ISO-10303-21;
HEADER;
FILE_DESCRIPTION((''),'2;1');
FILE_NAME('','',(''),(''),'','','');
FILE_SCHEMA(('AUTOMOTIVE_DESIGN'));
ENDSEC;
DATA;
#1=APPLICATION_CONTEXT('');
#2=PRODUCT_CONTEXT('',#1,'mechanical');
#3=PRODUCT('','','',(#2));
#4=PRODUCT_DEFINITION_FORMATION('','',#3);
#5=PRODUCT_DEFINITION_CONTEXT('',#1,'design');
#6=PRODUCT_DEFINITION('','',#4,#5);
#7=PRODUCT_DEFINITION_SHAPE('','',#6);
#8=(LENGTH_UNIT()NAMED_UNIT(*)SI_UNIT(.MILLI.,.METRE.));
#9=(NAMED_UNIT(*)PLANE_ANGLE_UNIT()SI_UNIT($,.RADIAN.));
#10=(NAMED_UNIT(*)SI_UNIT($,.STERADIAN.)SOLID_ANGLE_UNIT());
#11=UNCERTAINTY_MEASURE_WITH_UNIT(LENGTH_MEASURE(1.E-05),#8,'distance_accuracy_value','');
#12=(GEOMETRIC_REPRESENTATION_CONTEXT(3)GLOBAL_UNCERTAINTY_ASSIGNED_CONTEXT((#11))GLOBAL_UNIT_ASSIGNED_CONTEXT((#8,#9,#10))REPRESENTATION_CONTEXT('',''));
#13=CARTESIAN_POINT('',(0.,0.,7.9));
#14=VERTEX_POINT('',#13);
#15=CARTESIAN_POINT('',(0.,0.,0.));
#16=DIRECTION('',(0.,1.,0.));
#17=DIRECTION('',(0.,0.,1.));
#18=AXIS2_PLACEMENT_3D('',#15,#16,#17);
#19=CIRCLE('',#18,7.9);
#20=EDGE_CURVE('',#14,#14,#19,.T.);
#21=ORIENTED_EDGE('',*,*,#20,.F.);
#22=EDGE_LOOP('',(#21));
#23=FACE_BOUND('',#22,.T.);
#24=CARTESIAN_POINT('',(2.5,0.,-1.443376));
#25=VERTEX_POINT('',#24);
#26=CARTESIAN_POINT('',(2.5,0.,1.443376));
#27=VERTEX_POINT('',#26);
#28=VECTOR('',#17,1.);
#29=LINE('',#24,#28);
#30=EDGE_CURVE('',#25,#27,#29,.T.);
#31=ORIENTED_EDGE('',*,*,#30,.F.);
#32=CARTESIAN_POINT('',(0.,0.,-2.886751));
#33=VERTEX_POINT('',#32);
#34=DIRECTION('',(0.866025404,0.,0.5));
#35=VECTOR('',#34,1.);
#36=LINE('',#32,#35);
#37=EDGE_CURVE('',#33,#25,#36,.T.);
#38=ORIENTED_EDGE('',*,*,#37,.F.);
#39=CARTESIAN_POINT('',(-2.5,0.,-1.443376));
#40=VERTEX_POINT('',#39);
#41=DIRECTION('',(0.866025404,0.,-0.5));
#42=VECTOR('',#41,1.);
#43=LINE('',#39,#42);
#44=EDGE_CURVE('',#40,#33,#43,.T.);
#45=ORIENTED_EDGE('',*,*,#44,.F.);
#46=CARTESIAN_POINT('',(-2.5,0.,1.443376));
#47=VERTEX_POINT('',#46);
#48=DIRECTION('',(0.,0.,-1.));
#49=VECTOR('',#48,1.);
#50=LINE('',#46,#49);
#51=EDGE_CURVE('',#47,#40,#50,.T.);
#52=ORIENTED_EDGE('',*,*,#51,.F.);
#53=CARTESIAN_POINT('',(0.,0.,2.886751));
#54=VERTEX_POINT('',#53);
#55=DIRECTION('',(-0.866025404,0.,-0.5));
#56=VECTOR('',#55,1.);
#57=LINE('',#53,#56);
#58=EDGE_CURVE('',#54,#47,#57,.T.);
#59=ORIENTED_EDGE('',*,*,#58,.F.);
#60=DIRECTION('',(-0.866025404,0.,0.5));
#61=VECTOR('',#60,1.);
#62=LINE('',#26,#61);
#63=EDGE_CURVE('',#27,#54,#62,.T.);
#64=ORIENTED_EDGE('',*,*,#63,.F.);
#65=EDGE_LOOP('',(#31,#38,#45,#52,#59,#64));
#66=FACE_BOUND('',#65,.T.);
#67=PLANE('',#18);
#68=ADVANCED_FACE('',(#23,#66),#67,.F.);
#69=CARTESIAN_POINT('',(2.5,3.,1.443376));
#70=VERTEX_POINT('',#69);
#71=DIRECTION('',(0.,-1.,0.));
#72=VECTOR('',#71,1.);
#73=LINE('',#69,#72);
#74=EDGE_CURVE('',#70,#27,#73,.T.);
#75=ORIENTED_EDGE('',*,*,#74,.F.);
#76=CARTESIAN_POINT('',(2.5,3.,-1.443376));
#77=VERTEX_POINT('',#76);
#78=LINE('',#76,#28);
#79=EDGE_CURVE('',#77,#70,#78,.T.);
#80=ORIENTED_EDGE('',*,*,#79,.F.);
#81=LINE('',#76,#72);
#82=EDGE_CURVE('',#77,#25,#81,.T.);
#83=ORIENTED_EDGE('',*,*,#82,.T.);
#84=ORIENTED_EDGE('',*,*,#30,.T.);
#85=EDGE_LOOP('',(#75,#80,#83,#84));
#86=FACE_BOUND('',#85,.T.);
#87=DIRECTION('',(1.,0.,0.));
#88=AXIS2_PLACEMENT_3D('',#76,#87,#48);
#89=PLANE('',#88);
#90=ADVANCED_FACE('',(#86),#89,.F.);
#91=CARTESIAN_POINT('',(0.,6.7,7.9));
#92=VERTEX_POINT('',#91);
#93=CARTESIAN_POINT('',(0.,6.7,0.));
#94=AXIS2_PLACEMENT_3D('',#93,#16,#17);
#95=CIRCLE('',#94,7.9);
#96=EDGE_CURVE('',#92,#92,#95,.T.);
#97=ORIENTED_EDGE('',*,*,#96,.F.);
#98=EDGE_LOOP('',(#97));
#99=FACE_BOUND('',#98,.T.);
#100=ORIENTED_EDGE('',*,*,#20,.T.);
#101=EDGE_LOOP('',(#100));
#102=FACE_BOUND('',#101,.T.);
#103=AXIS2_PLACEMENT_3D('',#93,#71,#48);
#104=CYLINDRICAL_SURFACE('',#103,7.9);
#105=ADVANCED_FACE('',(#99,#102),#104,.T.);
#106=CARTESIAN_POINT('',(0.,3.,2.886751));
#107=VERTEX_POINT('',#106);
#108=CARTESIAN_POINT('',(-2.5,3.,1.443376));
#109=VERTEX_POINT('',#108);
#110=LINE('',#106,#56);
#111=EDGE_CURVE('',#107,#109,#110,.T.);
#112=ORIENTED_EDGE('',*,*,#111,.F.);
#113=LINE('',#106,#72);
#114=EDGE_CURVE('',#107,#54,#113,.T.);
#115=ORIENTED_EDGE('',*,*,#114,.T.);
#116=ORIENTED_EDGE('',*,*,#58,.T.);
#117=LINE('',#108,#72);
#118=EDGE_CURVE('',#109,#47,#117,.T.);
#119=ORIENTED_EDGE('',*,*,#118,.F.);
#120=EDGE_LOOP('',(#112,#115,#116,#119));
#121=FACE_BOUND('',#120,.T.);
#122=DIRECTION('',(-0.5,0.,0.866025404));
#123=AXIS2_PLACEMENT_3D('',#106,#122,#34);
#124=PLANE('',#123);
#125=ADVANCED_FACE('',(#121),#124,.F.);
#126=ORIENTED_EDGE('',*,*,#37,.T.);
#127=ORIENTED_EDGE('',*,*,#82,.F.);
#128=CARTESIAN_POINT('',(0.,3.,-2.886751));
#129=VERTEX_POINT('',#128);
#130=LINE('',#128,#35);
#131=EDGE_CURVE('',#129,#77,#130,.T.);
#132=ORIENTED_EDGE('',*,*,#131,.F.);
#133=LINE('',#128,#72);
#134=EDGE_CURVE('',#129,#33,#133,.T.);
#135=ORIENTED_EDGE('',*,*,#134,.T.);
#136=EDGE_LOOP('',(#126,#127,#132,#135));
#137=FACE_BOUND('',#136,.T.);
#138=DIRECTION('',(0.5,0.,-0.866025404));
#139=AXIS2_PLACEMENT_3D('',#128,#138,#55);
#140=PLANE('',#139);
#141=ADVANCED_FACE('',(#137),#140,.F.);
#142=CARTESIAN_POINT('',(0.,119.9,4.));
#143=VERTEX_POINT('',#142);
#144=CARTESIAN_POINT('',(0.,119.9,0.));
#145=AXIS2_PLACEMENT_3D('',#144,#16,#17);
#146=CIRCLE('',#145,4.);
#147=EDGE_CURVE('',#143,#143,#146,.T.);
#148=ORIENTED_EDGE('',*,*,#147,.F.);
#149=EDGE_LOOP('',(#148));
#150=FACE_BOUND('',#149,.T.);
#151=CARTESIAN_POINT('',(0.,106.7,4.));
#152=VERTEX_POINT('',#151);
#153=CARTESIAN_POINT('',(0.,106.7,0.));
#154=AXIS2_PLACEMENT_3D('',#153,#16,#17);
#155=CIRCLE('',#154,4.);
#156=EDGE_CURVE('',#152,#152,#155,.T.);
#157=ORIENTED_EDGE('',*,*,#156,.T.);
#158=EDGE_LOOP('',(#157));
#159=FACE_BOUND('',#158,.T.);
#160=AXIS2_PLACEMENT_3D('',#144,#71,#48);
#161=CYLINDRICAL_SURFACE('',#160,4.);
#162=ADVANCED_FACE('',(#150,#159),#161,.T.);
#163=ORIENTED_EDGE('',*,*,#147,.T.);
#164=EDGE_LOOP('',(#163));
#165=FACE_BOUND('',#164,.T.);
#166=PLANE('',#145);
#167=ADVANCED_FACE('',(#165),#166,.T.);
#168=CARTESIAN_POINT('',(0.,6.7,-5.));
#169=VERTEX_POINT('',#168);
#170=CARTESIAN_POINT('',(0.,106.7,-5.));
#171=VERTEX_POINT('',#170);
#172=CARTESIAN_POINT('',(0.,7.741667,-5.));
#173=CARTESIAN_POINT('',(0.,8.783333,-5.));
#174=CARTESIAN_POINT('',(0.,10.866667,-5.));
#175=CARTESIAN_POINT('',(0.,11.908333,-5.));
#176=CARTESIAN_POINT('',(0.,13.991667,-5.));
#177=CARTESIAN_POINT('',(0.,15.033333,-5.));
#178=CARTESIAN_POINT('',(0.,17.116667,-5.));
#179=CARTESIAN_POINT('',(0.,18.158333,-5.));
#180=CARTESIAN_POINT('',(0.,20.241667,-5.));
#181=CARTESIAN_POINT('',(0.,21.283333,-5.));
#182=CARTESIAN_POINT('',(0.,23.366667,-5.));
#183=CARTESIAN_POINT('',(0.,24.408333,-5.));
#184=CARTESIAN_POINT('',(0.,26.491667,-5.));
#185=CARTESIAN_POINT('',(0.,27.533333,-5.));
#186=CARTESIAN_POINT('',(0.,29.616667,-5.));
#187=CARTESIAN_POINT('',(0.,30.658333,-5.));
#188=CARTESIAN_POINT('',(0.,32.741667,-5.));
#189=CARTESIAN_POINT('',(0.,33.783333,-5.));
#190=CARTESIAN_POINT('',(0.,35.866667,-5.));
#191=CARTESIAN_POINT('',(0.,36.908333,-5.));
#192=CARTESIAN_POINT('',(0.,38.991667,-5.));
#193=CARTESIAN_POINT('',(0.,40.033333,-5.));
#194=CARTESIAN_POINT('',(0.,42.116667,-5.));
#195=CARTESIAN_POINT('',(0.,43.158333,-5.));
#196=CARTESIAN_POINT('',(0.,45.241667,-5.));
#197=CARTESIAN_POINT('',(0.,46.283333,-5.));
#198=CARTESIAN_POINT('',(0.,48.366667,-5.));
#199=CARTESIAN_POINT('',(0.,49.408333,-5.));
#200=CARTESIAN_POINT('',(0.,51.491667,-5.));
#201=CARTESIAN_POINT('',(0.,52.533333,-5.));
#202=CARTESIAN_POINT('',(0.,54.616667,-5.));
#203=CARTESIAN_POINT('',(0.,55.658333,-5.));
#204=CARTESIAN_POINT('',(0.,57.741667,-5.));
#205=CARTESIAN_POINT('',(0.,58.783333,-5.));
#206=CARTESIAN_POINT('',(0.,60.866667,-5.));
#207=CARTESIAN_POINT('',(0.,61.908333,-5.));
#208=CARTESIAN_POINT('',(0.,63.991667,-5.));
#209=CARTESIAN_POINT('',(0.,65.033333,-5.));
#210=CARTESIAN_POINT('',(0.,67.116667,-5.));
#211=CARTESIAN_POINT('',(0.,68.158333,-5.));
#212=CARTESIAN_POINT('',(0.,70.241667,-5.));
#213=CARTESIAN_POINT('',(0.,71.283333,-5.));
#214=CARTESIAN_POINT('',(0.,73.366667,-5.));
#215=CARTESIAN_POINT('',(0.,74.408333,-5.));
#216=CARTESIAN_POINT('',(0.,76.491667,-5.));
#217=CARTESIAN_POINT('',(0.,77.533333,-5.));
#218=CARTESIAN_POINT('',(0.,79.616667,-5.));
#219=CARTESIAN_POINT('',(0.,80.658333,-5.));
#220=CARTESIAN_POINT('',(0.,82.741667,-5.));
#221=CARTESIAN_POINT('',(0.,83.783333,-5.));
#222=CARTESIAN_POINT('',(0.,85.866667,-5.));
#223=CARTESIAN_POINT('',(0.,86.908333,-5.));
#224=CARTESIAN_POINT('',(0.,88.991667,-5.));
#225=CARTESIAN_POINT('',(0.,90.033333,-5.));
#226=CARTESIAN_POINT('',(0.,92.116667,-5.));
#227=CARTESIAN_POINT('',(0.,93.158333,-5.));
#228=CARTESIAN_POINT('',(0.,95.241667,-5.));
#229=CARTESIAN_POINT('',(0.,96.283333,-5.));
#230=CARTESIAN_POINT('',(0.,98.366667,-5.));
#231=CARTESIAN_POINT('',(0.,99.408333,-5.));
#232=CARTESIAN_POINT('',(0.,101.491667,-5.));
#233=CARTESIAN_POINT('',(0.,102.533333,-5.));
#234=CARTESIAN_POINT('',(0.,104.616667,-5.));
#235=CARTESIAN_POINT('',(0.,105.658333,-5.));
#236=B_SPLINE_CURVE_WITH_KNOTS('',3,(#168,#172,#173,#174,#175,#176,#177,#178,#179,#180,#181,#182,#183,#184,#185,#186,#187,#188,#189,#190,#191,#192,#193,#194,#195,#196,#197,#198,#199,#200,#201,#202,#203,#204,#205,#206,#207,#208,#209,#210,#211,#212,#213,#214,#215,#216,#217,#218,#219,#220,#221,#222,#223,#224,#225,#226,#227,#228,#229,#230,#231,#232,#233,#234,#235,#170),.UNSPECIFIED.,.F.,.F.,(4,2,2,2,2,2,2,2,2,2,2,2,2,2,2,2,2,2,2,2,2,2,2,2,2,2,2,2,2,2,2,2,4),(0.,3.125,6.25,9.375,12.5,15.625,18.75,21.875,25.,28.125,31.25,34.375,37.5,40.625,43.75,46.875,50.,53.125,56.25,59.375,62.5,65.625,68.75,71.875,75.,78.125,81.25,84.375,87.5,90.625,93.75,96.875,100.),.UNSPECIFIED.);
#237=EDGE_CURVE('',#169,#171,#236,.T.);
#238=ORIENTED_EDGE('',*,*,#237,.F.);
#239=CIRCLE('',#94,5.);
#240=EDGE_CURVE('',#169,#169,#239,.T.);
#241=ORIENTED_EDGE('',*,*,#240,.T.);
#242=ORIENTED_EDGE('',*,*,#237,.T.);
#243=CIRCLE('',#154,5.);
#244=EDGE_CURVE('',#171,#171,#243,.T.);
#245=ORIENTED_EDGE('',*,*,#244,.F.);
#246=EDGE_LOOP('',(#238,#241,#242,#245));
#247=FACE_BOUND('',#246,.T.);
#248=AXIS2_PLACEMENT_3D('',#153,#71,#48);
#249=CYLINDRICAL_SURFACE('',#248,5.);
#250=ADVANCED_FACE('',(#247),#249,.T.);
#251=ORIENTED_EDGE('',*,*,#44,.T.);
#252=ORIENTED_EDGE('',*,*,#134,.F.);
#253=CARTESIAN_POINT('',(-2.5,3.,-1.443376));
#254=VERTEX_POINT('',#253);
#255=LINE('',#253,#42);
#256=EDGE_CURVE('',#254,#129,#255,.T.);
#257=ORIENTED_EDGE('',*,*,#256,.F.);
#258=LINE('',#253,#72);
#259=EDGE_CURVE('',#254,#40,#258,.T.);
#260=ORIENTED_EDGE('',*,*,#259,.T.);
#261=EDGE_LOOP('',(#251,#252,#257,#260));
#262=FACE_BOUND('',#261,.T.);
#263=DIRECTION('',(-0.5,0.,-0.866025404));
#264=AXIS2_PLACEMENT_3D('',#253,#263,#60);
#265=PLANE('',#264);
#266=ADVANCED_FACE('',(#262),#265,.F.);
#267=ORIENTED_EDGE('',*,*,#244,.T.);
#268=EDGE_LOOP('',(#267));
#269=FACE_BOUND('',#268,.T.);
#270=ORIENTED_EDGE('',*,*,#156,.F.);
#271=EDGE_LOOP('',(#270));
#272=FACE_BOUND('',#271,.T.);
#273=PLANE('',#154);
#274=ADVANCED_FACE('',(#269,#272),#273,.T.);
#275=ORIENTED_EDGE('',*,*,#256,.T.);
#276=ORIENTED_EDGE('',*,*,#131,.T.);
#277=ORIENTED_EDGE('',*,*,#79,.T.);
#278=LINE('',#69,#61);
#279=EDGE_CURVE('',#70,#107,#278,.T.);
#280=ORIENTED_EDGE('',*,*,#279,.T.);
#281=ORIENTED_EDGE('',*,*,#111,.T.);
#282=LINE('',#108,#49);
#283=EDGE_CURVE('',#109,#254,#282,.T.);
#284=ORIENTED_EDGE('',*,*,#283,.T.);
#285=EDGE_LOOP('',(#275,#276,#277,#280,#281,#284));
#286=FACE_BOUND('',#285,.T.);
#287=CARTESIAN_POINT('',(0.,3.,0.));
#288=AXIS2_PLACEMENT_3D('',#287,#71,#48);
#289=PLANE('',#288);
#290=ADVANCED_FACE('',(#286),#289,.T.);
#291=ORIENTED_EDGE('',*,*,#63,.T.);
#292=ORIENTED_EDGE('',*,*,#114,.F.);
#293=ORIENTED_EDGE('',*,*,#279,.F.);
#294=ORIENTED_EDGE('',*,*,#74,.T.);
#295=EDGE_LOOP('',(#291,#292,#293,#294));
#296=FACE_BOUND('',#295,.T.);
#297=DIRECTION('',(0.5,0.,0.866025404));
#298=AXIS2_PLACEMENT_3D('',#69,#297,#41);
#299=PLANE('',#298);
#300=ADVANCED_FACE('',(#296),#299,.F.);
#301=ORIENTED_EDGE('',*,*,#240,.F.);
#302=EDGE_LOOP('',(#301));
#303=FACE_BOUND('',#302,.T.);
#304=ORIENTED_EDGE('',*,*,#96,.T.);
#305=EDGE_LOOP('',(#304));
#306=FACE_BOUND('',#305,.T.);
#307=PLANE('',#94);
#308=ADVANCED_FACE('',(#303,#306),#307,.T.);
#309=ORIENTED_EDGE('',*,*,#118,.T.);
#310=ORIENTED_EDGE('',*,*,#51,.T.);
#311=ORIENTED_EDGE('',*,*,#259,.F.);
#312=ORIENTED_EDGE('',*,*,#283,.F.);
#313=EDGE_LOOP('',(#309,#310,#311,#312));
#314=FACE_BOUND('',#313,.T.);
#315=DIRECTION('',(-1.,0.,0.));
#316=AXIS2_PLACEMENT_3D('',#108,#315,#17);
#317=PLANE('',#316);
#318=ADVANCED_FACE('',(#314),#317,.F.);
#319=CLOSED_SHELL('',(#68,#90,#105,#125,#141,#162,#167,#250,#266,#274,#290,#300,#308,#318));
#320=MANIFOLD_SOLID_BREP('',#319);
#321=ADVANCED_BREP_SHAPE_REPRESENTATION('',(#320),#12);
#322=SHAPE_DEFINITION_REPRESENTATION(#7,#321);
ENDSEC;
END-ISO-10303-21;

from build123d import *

# Parameters (mm, degrees)
SKETCH_1_R          = 4
EXTRUDE_1_DEPTH     = 119.9
SKETCH_1_3_R        = 5
SKETCH_1_3_R_2      = 4
EXTRUDE_2_DEPTH     = 106.7
SKETCH_1_4_R        = 7.9
SKETCH_1_4_R_2      = 5
EXTRUDE_3_DEPTH     = 6.7
CUT_EXTRUDE_1_DEPTH = 3


with BuildPart() as part:
    # 草图1 → 凸台-拉伸1 (new body)
    with BuildSketch(Plane(origin=(0, 0, 0), x_dir=(1, 0, 0), z_dir=(0, 1, 0))):
        Circle(SKETCH_1_R)
    extrude(amount=EXTRUDE_1_DEPTH)

    # 草图1<3> → 凸台-拉伸2 (add)
    with BuildSketch(Plane(origin=(0, 0, 0), x_dir=(1, 0, 0), z_dir=(0, 1, 0))):
        Circle(SKETCH_1_3_R)
        Circle(SKETCH_1_3_R_2, mode=Mode.SUBTRACT)
    extrude(amount=EXTRUDE_2_DEPTH)

    # 草图1<4> → 凸台-拉伸3 (add)
    with BuildSketch(Plane(origin=(0, 0, 0), x_dir=(1, 0, 0), z_dir=(0, 1, 0))):
        Circle(SKETCH_1_4_R)
        Circle(SKETCH_1_4_R_2, mode=Mode.SUBTRACT)
    extrude(amount=EXTRUDE_3_DEPTH)

    # 草图2 → 切除-拉伸1 (cut)
    with BuildSketch(Plane.XZ):
        Polygon((2.5, 1.443375673), (0, 2.886751346), (-2.5, 1.443375673), (-2.5, -1.443375673), (0, -2.886751346), (2.5, -1.443375673), align=None)
    extrude(amount=-CUT_EXTRUDE_1_DEPTH, mode=Mode.SUBTRACT)


solid = part.part
